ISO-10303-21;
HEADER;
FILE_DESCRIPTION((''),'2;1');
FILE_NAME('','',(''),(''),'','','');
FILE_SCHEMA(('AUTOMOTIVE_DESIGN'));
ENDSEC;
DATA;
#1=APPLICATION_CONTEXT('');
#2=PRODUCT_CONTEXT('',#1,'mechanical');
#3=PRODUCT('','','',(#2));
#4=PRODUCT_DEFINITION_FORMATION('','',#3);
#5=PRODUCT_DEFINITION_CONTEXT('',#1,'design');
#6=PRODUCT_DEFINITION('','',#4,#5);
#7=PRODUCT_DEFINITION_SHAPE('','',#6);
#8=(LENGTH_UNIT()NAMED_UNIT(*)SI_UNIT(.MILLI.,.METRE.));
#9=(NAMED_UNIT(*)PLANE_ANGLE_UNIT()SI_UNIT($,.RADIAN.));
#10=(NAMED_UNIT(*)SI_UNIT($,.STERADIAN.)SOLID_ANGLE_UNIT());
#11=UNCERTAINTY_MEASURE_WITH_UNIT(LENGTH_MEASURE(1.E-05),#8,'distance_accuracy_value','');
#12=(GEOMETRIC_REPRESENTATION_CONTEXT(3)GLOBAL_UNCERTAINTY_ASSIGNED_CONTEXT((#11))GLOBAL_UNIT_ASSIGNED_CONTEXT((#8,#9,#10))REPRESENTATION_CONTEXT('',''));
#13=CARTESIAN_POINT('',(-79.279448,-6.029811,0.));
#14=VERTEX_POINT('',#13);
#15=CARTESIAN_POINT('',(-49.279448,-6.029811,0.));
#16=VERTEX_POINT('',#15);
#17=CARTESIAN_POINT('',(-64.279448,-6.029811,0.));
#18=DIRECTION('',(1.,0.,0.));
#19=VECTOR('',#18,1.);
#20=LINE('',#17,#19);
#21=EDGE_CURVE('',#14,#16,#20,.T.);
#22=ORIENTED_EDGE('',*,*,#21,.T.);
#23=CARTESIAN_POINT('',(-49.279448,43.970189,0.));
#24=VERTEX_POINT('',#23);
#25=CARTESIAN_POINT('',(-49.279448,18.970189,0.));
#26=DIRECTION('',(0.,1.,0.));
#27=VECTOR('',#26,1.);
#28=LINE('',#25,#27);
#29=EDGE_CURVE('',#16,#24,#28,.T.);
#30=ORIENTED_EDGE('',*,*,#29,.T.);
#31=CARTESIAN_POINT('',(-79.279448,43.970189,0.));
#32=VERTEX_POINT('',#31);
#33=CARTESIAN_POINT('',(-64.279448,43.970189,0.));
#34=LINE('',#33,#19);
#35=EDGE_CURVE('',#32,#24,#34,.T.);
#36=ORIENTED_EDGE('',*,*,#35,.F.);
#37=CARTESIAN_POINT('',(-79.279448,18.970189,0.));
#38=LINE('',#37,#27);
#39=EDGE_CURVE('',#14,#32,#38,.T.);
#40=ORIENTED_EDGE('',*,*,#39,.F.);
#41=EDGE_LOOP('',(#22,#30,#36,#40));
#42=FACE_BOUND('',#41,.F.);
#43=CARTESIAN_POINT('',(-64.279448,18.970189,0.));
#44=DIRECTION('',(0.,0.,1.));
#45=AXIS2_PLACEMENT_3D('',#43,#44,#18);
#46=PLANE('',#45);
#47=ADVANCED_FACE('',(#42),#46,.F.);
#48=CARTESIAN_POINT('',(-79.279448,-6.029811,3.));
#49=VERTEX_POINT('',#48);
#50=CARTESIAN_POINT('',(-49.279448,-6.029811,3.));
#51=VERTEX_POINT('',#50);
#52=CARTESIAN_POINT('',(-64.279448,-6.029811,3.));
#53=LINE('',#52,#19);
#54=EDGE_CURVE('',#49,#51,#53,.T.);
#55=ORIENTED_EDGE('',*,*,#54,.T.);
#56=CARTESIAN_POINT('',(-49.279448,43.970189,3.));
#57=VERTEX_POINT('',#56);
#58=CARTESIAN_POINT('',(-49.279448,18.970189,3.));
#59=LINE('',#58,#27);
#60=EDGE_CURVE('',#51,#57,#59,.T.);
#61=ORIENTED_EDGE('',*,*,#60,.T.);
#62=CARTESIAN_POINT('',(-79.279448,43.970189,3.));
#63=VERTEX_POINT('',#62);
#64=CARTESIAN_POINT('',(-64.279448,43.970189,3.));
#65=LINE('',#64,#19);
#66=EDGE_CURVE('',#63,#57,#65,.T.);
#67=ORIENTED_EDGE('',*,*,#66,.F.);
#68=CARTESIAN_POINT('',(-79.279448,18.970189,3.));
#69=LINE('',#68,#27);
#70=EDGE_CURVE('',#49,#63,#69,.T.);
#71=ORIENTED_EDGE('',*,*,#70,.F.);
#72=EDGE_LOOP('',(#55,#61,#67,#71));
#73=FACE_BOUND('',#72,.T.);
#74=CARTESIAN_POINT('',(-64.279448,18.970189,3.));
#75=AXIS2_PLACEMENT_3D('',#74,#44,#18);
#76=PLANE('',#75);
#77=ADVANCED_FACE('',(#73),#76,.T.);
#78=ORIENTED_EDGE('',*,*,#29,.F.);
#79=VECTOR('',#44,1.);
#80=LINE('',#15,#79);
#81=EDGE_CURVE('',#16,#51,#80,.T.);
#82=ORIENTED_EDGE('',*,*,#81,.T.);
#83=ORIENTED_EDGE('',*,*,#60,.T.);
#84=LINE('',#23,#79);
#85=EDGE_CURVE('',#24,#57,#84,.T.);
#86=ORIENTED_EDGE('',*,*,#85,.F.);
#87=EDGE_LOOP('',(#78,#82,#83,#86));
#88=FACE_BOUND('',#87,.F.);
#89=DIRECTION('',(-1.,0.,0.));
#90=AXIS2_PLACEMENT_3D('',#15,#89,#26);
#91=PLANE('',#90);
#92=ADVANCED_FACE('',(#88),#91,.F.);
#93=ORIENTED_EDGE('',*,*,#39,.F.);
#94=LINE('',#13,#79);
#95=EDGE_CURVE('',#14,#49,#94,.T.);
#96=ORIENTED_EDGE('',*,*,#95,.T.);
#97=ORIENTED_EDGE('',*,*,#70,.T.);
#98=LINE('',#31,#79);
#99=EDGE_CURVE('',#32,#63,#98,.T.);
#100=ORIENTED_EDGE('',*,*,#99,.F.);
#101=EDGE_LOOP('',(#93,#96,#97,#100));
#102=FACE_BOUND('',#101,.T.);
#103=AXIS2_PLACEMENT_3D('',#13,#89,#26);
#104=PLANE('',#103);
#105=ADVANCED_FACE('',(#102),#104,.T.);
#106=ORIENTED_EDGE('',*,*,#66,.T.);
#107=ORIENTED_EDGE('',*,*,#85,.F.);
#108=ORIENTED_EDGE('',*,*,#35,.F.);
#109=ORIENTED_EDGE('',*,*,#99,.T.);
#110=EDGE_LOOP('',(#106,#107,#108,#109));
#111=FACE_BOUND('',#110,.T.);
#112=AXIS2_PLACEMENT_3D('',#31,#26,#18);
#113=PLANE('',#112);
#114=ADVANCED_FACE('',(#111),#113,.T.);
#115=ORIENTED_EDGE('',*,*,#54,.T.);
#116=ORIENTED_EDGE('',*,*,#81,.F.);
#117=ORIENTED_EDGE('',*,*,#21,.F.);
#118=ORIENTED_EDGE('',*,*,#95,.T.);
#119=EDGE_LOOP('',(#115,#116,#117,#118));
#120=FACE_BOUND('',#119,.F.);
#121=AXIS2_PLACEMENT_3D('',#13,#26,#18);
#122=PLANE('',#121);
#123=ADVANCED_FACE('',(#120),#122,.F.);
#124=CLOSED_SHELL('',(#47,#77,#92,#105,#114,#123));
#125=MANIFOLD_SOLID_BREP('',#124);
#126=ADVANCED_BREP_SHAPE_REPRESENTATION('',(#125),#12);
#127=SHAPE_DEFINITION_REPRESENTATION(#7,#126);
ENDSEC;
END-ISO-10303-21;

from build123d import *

# Parameters (mm, degrees)
ESQUISSE1_W        = 30
ESQUISSE1_H        = 50
BOSS_EXTRU_1_DEPTH = 3


with BuildPart() as part:
    # Esquisse1 → Boss.-Extru.1 (new body)
    with BuildSketch(Plane.XY):
        with Locations((-64.279447666, 18.970188902)):
            Rectangle(ESQUISSE1_W, ESQUISSE1_H)
    extrude(amount=BOSS_EXTRU_1_DEPTH)


solid = part.part
